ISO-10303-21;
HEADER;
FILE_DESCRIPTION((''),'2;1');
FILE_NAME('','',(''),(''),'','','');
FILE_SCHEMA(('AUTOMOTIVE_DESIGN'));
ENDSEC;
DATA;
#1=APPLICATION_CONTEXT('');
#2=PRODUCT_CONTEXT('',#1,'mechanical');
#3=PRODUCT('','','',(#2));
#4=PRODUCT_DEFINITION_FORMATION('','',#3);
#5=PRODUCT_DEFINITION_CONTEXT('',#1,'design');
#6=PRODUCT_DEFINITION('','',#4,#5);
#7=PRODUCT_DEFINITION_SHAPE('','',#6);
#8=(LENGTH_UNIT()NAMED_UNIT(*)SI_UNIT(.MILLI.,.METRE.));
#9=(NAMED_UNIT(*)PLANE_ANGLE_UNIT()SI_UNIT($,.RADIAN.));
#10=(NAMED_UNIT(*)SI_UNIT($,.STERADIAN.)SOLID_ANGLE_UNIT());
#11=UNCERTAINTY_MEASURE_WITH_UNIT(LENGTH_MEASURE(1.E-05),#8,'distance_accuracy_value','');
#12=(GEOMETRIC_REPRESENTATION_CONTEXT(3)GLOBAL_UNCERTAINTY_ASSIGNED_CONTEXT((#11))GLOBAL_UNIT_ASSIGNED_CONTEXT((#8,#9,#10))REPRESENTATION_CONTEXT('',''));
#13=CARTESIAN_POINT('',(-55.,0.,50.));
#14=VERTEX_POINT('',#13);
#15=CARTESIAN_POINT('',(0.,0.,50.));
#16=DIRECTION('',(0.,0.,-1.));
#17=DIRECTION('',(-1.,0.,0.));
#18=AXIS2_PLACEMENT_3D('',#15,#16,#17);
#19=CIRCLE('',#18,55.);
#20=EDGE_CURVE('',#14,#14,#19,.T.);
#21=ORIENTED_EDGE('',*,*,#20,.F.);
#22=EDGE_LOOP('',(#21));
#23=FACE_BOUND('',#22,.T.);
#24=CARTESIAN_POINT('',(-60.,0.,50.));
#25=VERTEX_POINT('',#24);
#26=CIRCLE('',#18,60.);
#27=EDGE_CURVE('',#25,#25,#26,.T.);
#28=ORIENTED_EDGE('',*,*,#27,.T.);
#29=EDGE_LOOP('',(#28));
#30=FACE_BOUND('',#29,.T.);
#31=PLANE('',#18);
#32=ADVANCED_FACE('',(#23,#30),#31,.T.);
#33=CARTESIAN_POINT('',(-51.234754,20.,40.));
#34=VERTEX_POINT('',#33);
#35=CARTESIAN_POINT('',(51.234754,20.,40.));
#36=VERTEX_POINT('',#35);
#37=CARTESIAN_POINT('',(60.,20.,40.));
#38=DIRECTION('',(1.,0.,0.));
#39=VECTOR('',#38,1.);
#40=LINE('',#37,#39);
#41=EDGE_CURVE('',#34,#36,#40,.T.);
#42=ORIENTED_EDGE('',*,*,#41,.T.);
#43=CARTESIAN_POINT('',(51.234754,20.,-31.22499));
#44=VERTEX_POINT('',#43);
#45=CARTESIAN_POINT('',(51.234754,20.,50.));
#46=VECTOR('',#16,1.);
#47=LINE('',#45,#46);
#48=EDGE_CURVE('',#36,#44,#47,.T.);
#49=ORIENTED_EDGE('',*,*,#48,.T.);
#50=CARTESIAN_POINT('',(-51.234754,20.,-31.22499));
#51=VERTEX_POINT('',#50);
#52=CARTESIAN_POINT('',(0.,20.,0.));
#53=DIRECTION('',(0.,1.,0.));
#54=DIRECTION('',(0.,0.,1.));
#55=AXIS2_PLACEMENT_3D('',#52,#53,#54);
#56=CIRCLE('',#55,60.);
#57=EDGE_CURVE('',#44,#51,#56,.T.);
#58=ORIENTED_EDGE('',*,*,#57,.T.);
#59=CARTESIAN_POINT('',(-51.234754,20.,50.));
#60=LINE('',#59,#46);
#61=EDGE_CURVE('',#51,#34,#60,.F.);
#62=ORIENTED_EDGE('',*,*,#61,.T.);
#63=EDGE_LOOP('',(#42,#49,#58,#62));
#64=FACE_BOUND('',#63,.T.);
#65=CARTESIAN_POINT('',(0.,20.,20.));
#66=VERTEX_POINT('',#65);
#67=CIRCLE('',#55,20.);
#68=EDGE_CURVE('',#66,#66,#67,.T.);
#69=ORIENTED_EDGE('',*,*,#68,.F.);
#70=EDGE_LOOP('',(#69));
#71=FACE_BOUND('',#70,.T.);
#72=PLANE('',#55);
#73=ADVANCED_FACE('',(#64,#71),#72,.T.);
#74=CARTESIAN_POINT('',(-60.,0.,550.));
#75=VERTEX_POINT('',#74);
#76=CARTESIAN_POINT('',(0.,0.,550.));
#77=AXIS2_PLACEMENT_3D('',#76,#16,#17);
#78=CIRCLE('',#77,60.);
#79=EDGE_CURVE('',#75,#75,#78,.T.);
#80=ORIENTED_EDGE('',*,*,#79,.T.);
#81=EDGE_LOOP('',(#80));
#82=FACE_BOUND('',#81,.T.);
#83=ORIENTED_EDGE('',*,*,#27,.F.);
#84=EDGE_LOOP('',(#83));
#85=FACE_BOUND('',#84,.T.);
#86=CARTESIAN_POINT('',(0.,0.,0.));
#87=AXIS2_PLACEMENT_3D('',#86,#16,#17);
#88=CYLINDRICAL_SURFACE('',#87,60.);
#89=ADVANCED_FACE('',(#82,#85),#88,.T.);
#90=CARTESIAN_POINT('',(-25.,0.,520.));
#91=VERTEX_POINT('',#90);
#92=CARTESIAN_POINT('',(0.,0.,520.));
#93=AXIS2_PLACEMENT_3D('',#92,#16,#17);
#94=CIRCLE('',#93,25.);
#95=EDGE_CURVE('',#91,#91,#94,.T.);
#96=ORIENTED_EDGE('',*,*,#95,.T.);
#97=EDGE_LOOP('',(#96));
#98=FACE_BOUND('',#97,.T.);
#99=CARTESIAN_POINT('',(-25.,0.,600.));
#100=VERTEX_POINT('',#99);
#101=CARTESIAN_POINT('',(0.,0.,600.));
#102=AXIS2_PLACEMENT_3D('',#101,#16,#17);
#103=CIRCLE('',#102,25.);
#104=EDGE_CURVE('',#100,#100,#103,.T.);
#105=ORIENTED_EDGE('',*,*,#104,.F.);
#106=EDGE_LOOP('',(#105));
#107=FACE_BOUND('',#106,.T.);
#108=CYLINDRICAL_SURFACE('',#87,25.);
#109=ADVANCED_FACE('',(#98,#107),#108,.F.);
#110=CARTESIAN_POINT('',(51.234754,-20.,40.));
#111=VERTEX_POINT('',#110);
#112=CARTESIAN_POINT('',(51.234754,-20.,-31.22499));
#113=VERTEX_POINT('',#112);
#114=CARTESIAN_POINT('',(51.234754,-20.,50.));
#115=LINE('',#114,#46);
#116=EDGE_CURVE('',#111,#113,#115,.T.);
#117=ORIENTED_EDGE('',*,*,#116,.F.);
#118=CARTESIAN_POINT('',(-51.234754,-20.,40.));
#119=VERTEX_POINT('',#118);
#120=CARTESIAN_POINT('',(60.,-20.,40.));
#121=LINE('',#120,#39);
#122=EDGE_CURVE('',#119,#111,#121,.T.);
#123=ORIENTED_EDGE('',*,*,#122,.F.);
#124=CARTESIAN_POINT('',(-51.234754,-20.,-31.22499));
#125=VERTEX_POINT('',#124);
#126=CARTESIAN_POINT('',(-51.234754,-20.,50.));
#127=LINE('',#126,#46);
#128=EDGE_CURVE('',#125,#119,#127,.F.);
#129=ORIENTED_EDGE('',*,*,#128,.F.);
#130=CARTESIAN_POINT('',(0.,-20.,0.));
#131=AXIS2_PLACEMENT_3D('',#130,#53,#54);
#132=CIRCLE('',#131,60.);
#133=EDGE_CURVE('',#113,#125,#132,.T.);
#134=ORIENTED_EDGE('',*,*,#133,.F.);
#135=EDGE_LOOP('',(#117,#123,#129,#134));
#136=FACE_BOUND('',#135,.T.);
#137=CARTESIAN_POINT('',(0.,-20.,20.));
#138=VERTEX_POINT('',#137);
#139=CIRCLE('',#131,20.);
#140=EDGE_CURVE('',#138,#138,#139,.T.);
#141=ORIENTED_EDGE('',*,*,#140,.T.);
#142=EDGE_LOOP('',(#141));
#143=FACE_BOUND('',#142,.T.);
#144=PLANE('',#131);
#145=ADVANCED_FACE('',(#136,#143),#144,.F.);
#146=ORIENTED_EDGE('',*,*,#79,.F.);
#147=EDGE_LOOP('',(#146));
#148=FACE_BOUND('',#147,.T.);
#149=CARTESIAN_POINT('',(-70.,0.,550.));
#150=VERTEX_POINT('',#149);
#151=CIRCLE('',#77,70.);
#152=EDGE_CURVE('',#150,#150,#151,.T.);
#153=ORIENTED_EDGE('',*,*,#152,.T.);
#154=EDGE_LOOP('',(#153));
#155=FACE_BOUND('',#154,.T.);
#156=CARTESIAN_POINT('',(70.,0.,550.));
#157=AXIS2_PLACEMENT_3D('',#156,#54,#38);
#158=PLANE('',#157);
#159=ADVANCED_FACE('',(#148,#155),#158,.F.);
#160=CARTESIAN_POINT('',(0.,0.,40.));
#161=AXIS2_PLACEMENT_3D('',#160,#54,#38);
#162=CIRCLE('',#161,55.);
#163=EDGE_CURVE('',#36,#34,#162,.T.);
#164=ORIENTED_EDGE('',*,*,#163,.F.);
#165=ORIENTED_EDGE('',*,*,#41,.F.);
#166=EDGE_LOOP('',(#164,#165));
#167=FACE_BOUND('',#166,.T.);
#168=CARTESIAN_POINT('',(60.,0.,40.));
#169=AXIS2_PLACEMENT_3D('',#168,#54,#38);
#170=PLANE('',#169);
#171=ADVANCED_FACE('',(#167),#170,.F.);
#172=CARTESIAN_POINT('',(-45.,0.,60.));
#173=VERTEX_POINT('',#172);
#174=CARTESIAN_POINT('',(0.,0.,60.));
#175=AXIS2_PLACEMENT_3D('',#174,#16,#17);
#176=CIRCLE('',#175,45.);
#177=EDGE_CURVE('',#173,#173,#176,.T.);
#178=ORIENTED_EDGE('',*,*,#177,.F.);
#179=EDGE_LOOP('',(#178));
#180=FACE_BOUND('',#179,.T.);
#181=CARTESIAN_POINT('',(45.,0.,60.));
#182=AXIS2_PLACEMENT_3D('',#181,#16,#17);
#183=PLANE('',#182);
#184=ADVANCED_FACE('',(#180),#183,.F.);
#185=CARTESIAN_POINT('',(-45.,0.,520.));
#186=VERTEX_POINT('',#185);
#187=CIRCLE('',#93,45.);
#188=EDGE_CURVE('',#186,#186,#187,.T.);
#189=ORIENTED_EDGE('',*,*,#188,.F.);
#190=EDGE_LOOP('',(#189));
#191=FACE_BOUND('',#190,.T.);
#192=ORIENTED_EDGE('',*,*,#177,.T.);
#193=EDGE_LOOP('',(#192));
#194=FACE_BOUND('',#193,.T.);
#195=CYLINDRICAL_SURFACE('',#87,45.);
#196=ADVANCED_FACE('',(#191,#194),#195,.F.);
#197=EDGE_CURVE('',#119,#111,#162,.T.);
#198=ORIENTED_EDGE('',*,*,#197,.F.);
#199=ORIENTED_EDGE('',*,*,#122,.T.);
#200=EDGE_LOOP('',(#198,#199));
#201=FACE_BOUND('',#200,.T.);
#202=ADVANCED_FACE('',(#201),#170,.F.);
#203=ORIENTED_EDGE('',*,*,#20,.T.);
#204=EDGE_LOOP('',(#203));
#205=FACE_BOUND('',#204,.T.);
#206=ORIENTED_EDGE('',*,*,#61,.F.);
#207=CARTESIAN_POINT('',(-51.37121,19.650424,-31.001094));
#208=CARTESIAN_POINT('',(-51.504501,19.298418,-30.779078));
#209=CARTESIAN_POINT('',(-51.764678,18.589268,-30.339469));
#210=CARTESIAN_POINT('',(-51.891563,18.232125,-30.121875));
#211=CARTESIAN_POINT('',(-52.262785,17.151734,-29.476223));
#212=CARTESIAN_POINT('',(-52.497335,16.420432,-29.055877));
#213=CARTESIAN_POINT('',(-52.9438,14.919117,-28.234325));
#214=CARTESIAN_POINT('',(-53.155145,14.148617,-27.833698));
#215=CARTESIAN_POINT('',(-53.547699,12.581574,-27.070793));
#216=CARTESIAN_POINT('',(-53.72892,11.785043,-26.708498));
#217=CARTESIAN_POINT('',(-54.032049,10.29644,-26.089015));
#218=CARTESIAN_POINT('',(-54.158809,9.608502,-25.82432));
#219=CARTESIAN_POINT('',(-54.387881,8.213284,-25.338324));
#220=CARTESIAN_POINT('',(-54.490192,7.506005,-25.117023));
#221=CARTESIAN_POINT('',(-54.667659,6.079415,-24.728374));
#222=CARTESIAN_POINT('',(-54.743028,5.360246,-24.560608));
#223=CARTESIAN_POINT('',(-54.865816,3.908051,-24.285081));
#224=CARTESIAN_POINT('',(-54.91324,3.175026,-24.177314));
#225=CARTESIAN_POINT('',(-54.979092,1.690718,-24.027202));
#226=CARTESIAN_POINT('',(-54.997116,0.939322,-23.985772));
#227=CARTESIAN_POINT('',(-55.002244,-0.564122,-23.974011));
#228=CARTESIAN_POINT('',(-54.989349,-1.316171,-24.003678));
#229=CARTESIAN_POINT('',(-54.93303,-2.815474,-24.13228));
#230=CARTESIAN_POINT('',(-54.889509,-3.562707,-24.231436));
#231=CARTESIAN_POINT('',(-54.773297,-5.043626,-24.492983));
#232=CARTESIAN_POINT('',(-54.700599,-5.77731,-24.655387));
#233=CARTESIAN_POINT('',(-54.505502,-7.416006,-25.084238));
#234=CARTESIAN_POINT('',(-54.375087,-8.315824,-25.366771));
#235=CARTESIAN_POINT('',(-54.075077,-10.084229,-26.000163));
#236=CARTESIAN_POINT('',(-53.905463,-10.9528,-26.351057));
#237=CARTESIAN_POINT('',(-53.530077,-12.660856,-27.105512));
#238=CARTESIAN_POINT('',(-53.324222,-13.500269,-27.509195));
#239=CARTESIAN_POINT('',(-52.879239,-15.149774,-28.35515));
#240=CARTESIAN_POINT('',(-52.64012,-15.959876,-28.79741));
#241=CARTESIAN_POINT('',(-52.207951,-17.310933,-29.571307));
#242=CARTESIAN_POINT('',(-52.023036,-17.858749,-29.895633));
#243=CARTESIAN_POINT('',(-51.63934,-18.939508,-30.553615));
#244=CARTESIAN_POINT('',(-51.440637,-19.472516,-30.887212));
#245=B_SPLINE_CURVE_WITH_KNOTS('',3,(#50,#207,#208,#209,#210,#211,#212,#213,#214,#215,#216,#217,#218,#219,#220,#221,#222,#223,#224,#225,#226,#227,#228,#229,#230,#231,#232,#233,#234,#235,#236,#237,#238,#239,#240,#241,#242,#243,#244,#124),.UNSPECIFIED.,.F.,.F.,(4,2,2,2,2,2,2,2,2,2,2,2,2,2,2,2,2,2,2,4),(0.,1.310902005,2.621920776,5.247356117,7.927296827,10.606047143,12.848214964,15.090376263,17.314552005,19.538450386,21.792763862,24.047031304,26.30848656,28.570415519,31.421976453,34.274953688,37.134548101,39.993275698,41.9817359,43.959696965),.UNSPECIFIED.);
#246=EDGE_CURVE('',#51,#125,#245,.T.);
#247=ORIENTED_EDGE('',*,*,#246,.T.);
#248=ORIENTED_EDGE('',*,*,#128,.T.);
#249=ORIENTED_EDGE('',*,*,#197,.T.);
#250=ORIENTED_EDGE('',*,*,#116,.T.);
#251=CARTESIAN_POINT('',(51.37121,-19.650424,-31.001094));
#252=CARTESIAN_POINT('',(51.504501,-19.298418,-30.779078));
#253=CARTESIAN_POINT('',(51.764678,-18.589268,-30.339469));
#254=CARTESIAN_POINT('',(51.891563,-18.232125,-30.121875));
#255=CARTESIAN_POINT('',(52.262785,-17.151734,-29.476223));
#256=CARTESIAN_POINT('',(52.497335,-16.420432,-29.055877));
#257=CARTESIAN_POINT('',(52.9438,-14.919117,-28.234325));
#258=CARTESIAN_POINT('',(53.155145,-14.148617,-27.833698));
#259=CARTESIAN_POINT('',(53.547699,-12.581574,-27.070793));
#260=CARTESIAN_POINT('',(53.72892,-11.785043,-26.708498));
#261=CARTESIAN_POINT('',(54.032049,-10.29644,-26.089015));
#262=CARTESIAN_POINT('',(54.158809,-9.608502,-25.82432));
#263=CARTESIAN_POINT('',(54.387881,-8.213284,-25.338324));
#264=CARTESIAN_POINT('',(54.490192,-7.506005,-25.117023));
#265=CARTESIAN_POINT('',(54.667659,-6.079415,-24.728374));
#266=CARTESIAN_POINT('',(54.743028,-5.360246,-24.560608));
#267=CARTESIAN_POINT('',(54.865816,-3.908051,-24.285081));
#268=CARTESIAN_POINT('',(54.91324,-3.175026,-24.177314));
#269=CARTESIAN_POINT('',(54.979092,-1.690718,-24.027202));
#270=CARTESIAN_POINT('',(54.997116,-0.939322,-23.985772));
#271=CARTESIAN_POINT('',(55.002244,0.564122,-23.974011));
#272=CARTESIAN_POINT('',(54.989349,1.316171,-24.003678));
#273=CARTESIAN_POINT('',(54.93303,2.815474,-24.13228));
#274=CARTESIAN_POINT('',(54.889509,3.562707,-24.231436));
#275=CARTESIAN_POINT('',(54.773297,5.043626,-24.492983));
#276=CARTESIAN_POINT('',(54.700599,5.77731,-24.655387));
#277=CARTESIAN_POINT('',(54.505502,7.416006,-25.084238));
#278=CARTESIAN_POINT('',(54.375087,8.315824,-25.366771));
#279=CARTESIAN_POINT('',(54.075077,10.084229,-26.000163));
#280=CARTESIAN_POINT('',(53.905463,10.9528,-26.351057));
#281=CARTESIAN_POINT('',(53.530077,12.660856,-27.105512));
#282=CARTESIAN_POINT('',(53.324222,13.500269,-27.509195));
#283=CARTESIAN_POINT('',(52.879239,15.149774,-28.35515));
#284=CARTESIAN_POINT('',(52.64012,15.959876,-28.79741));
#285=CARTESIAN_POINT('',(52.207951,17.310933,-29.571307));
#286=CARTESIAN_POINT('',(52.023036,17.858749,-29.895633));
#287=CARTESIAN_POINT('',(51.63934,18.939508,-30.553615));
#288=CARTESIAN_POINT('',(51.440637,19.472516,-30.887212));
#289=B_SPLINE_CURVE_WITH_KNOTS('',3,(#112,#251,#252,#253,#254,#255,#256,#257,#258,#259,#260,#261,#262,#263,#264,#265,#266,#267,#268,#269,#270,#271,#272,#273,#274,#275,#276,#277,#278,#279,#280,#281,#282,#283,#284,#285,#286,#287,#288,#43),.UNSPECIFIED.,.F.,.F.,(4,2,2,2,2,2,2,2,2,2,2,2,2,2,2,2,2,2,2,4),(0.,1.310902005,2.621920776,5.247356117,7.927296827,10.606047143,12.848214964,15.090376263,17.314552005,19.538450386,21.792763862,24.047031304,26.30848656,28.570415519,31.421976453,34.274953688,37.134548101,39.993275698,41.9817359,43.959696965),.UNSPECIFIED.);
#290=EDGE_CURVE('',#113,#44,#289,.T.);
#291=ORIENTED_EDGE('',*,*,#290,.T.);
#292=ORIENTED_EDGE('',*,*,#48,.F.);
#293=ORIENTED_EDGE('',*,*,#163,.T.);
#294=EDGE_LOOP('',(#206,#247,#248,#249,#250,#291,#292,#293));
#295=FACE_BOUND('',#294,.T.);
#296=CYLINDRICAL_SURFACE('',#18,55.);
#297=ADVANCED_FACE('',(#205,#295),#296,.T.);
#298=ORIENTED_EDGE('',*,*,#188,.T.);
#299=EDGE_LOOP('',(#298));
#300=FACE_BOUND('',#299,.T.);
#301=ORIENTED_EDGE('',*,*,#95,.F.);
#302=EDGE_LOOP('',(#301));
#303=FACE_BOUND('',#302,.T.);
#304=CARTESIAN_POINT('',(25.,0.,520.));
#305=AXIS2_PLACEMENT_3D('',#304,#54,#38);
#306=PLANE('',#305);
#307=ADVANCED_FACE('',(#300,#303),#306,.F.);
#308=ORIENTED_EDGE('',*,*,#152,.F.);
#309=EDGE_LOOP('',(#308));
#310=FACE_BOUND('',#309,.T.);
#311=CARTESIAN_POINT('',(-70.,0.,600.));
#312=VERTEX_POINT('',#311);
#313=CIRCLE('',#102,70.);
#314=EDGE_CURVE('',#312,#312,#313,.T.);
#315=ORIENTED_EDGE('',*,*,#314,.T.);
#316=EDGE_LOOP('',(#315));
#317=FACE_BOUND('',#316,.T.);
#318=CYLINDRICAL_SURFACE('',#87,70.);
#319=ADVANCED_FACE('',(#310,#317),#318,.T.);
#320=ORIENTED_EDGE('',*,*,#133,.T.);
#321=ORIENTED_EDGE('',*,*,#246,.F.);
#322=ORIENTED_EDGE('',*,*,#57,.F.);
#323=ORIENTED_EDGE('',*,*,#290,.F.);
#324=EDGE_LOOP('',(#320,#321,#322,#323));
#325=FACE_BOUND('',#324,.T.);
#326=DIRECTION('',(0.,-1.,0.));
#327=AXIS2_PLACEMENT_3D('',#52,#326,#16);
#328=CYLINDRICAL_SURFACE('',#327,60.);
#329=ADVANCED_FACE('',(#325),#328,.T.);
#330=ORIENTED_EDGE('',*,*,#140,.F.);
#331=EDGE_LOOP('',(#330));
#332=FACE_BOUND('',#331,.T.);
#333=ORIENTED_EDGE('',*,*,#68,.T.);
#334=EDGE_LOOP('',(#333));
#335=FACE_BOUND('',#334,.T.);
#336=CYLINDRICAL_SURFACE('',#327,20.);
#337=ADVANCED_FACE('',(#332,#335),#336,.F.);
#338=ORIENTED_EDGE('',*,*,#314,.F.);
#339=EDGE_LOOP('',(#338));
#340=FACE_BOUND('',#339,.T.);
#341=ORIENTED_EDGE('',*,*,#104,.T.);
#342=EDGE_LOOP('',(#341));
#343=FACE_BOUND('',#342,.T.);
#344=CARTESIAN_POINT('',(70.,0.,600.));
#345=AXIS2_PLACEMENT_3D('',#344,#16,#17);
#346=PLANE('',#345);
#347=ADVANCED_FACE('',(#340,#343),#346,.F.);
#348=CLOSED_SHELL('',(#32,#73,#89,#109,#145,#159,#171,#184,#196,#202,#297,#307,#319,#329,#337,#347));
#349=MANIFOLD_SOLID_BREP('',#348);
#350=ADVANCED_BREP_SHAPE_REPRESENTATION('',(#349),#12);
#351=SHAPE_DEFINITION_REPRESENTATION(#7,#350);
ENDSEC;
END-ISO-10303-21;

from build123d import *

# Parameters (mm, degrees)
SKETCH2_R               = 20
BOSS_EXTRUDE1_DEPTH     = 20
SKETCH3_R               = 63.245553203
SKETCH3_R_2             = 55
CUT_EXTRUDE1_DEPTH      = 101
CUT_EXTRUDE1_DEPTH_BACK = 10


with BuildPart() as part:
    # Sketch1 → Revolve1 (revolve)
    with BuildSketch(Plane(origin=(0, 0, 0), x_dir=(1, 0, 0), z_dir=(0, 1, 0))):
        Polygon((70, -600), (70, -550), (60, -550), (60, -40), (0, -40), (0, -60), (45, -60), (45, -520), (25, -520), (25, -600), align=None)
    revolve(axis=Axis((0, 0, 0), (0, 0, 1)))

    # Sketch2 → Boss-Extrude1 (add, symmetric)
    with BuildSketch(Plane(origin=(0, 0, 0), x_dir=(1, 0, 0), z_dir=(0, 1, 0))):
        with BuildLine():
            Line((60, -40), (60, 0))
            ThreePointArc((60, 0), (0, 60), (-60, 0))
            Line((-60, 0), (-60, -40))
            Line((-60, -40), (60, -40))
        make_face()
        Circle(SKETCH2_R, mode=Mode.SUBTRACT)
    extrude(amount=BOSS_EXTRUDE1_DEPTH, both=True)

    # Sketch3 → Cut-Extrude1 (cut, two sides)
    with BuildSketch(Plane(origin=(0, 0, 40), x_dir=(-1, 0, 0), z_dir=(0, 0, -1))) as cut_extrude1_sk:
        Circle(SKETCH3_R)
        Circle(SKETCH3_R_2, mode=Mode.SUBTRACT)
    extrude(amount=CUT_EXTRUDE1_DEPTH, mode=Mode.SUBTRACT)
    extrude(cut_extrude1_sk.sketch, amount=-CUT_EXTRUDE1_DEPTH_BACK, mode=Mode.SUBTRACT)


solid = part.part
